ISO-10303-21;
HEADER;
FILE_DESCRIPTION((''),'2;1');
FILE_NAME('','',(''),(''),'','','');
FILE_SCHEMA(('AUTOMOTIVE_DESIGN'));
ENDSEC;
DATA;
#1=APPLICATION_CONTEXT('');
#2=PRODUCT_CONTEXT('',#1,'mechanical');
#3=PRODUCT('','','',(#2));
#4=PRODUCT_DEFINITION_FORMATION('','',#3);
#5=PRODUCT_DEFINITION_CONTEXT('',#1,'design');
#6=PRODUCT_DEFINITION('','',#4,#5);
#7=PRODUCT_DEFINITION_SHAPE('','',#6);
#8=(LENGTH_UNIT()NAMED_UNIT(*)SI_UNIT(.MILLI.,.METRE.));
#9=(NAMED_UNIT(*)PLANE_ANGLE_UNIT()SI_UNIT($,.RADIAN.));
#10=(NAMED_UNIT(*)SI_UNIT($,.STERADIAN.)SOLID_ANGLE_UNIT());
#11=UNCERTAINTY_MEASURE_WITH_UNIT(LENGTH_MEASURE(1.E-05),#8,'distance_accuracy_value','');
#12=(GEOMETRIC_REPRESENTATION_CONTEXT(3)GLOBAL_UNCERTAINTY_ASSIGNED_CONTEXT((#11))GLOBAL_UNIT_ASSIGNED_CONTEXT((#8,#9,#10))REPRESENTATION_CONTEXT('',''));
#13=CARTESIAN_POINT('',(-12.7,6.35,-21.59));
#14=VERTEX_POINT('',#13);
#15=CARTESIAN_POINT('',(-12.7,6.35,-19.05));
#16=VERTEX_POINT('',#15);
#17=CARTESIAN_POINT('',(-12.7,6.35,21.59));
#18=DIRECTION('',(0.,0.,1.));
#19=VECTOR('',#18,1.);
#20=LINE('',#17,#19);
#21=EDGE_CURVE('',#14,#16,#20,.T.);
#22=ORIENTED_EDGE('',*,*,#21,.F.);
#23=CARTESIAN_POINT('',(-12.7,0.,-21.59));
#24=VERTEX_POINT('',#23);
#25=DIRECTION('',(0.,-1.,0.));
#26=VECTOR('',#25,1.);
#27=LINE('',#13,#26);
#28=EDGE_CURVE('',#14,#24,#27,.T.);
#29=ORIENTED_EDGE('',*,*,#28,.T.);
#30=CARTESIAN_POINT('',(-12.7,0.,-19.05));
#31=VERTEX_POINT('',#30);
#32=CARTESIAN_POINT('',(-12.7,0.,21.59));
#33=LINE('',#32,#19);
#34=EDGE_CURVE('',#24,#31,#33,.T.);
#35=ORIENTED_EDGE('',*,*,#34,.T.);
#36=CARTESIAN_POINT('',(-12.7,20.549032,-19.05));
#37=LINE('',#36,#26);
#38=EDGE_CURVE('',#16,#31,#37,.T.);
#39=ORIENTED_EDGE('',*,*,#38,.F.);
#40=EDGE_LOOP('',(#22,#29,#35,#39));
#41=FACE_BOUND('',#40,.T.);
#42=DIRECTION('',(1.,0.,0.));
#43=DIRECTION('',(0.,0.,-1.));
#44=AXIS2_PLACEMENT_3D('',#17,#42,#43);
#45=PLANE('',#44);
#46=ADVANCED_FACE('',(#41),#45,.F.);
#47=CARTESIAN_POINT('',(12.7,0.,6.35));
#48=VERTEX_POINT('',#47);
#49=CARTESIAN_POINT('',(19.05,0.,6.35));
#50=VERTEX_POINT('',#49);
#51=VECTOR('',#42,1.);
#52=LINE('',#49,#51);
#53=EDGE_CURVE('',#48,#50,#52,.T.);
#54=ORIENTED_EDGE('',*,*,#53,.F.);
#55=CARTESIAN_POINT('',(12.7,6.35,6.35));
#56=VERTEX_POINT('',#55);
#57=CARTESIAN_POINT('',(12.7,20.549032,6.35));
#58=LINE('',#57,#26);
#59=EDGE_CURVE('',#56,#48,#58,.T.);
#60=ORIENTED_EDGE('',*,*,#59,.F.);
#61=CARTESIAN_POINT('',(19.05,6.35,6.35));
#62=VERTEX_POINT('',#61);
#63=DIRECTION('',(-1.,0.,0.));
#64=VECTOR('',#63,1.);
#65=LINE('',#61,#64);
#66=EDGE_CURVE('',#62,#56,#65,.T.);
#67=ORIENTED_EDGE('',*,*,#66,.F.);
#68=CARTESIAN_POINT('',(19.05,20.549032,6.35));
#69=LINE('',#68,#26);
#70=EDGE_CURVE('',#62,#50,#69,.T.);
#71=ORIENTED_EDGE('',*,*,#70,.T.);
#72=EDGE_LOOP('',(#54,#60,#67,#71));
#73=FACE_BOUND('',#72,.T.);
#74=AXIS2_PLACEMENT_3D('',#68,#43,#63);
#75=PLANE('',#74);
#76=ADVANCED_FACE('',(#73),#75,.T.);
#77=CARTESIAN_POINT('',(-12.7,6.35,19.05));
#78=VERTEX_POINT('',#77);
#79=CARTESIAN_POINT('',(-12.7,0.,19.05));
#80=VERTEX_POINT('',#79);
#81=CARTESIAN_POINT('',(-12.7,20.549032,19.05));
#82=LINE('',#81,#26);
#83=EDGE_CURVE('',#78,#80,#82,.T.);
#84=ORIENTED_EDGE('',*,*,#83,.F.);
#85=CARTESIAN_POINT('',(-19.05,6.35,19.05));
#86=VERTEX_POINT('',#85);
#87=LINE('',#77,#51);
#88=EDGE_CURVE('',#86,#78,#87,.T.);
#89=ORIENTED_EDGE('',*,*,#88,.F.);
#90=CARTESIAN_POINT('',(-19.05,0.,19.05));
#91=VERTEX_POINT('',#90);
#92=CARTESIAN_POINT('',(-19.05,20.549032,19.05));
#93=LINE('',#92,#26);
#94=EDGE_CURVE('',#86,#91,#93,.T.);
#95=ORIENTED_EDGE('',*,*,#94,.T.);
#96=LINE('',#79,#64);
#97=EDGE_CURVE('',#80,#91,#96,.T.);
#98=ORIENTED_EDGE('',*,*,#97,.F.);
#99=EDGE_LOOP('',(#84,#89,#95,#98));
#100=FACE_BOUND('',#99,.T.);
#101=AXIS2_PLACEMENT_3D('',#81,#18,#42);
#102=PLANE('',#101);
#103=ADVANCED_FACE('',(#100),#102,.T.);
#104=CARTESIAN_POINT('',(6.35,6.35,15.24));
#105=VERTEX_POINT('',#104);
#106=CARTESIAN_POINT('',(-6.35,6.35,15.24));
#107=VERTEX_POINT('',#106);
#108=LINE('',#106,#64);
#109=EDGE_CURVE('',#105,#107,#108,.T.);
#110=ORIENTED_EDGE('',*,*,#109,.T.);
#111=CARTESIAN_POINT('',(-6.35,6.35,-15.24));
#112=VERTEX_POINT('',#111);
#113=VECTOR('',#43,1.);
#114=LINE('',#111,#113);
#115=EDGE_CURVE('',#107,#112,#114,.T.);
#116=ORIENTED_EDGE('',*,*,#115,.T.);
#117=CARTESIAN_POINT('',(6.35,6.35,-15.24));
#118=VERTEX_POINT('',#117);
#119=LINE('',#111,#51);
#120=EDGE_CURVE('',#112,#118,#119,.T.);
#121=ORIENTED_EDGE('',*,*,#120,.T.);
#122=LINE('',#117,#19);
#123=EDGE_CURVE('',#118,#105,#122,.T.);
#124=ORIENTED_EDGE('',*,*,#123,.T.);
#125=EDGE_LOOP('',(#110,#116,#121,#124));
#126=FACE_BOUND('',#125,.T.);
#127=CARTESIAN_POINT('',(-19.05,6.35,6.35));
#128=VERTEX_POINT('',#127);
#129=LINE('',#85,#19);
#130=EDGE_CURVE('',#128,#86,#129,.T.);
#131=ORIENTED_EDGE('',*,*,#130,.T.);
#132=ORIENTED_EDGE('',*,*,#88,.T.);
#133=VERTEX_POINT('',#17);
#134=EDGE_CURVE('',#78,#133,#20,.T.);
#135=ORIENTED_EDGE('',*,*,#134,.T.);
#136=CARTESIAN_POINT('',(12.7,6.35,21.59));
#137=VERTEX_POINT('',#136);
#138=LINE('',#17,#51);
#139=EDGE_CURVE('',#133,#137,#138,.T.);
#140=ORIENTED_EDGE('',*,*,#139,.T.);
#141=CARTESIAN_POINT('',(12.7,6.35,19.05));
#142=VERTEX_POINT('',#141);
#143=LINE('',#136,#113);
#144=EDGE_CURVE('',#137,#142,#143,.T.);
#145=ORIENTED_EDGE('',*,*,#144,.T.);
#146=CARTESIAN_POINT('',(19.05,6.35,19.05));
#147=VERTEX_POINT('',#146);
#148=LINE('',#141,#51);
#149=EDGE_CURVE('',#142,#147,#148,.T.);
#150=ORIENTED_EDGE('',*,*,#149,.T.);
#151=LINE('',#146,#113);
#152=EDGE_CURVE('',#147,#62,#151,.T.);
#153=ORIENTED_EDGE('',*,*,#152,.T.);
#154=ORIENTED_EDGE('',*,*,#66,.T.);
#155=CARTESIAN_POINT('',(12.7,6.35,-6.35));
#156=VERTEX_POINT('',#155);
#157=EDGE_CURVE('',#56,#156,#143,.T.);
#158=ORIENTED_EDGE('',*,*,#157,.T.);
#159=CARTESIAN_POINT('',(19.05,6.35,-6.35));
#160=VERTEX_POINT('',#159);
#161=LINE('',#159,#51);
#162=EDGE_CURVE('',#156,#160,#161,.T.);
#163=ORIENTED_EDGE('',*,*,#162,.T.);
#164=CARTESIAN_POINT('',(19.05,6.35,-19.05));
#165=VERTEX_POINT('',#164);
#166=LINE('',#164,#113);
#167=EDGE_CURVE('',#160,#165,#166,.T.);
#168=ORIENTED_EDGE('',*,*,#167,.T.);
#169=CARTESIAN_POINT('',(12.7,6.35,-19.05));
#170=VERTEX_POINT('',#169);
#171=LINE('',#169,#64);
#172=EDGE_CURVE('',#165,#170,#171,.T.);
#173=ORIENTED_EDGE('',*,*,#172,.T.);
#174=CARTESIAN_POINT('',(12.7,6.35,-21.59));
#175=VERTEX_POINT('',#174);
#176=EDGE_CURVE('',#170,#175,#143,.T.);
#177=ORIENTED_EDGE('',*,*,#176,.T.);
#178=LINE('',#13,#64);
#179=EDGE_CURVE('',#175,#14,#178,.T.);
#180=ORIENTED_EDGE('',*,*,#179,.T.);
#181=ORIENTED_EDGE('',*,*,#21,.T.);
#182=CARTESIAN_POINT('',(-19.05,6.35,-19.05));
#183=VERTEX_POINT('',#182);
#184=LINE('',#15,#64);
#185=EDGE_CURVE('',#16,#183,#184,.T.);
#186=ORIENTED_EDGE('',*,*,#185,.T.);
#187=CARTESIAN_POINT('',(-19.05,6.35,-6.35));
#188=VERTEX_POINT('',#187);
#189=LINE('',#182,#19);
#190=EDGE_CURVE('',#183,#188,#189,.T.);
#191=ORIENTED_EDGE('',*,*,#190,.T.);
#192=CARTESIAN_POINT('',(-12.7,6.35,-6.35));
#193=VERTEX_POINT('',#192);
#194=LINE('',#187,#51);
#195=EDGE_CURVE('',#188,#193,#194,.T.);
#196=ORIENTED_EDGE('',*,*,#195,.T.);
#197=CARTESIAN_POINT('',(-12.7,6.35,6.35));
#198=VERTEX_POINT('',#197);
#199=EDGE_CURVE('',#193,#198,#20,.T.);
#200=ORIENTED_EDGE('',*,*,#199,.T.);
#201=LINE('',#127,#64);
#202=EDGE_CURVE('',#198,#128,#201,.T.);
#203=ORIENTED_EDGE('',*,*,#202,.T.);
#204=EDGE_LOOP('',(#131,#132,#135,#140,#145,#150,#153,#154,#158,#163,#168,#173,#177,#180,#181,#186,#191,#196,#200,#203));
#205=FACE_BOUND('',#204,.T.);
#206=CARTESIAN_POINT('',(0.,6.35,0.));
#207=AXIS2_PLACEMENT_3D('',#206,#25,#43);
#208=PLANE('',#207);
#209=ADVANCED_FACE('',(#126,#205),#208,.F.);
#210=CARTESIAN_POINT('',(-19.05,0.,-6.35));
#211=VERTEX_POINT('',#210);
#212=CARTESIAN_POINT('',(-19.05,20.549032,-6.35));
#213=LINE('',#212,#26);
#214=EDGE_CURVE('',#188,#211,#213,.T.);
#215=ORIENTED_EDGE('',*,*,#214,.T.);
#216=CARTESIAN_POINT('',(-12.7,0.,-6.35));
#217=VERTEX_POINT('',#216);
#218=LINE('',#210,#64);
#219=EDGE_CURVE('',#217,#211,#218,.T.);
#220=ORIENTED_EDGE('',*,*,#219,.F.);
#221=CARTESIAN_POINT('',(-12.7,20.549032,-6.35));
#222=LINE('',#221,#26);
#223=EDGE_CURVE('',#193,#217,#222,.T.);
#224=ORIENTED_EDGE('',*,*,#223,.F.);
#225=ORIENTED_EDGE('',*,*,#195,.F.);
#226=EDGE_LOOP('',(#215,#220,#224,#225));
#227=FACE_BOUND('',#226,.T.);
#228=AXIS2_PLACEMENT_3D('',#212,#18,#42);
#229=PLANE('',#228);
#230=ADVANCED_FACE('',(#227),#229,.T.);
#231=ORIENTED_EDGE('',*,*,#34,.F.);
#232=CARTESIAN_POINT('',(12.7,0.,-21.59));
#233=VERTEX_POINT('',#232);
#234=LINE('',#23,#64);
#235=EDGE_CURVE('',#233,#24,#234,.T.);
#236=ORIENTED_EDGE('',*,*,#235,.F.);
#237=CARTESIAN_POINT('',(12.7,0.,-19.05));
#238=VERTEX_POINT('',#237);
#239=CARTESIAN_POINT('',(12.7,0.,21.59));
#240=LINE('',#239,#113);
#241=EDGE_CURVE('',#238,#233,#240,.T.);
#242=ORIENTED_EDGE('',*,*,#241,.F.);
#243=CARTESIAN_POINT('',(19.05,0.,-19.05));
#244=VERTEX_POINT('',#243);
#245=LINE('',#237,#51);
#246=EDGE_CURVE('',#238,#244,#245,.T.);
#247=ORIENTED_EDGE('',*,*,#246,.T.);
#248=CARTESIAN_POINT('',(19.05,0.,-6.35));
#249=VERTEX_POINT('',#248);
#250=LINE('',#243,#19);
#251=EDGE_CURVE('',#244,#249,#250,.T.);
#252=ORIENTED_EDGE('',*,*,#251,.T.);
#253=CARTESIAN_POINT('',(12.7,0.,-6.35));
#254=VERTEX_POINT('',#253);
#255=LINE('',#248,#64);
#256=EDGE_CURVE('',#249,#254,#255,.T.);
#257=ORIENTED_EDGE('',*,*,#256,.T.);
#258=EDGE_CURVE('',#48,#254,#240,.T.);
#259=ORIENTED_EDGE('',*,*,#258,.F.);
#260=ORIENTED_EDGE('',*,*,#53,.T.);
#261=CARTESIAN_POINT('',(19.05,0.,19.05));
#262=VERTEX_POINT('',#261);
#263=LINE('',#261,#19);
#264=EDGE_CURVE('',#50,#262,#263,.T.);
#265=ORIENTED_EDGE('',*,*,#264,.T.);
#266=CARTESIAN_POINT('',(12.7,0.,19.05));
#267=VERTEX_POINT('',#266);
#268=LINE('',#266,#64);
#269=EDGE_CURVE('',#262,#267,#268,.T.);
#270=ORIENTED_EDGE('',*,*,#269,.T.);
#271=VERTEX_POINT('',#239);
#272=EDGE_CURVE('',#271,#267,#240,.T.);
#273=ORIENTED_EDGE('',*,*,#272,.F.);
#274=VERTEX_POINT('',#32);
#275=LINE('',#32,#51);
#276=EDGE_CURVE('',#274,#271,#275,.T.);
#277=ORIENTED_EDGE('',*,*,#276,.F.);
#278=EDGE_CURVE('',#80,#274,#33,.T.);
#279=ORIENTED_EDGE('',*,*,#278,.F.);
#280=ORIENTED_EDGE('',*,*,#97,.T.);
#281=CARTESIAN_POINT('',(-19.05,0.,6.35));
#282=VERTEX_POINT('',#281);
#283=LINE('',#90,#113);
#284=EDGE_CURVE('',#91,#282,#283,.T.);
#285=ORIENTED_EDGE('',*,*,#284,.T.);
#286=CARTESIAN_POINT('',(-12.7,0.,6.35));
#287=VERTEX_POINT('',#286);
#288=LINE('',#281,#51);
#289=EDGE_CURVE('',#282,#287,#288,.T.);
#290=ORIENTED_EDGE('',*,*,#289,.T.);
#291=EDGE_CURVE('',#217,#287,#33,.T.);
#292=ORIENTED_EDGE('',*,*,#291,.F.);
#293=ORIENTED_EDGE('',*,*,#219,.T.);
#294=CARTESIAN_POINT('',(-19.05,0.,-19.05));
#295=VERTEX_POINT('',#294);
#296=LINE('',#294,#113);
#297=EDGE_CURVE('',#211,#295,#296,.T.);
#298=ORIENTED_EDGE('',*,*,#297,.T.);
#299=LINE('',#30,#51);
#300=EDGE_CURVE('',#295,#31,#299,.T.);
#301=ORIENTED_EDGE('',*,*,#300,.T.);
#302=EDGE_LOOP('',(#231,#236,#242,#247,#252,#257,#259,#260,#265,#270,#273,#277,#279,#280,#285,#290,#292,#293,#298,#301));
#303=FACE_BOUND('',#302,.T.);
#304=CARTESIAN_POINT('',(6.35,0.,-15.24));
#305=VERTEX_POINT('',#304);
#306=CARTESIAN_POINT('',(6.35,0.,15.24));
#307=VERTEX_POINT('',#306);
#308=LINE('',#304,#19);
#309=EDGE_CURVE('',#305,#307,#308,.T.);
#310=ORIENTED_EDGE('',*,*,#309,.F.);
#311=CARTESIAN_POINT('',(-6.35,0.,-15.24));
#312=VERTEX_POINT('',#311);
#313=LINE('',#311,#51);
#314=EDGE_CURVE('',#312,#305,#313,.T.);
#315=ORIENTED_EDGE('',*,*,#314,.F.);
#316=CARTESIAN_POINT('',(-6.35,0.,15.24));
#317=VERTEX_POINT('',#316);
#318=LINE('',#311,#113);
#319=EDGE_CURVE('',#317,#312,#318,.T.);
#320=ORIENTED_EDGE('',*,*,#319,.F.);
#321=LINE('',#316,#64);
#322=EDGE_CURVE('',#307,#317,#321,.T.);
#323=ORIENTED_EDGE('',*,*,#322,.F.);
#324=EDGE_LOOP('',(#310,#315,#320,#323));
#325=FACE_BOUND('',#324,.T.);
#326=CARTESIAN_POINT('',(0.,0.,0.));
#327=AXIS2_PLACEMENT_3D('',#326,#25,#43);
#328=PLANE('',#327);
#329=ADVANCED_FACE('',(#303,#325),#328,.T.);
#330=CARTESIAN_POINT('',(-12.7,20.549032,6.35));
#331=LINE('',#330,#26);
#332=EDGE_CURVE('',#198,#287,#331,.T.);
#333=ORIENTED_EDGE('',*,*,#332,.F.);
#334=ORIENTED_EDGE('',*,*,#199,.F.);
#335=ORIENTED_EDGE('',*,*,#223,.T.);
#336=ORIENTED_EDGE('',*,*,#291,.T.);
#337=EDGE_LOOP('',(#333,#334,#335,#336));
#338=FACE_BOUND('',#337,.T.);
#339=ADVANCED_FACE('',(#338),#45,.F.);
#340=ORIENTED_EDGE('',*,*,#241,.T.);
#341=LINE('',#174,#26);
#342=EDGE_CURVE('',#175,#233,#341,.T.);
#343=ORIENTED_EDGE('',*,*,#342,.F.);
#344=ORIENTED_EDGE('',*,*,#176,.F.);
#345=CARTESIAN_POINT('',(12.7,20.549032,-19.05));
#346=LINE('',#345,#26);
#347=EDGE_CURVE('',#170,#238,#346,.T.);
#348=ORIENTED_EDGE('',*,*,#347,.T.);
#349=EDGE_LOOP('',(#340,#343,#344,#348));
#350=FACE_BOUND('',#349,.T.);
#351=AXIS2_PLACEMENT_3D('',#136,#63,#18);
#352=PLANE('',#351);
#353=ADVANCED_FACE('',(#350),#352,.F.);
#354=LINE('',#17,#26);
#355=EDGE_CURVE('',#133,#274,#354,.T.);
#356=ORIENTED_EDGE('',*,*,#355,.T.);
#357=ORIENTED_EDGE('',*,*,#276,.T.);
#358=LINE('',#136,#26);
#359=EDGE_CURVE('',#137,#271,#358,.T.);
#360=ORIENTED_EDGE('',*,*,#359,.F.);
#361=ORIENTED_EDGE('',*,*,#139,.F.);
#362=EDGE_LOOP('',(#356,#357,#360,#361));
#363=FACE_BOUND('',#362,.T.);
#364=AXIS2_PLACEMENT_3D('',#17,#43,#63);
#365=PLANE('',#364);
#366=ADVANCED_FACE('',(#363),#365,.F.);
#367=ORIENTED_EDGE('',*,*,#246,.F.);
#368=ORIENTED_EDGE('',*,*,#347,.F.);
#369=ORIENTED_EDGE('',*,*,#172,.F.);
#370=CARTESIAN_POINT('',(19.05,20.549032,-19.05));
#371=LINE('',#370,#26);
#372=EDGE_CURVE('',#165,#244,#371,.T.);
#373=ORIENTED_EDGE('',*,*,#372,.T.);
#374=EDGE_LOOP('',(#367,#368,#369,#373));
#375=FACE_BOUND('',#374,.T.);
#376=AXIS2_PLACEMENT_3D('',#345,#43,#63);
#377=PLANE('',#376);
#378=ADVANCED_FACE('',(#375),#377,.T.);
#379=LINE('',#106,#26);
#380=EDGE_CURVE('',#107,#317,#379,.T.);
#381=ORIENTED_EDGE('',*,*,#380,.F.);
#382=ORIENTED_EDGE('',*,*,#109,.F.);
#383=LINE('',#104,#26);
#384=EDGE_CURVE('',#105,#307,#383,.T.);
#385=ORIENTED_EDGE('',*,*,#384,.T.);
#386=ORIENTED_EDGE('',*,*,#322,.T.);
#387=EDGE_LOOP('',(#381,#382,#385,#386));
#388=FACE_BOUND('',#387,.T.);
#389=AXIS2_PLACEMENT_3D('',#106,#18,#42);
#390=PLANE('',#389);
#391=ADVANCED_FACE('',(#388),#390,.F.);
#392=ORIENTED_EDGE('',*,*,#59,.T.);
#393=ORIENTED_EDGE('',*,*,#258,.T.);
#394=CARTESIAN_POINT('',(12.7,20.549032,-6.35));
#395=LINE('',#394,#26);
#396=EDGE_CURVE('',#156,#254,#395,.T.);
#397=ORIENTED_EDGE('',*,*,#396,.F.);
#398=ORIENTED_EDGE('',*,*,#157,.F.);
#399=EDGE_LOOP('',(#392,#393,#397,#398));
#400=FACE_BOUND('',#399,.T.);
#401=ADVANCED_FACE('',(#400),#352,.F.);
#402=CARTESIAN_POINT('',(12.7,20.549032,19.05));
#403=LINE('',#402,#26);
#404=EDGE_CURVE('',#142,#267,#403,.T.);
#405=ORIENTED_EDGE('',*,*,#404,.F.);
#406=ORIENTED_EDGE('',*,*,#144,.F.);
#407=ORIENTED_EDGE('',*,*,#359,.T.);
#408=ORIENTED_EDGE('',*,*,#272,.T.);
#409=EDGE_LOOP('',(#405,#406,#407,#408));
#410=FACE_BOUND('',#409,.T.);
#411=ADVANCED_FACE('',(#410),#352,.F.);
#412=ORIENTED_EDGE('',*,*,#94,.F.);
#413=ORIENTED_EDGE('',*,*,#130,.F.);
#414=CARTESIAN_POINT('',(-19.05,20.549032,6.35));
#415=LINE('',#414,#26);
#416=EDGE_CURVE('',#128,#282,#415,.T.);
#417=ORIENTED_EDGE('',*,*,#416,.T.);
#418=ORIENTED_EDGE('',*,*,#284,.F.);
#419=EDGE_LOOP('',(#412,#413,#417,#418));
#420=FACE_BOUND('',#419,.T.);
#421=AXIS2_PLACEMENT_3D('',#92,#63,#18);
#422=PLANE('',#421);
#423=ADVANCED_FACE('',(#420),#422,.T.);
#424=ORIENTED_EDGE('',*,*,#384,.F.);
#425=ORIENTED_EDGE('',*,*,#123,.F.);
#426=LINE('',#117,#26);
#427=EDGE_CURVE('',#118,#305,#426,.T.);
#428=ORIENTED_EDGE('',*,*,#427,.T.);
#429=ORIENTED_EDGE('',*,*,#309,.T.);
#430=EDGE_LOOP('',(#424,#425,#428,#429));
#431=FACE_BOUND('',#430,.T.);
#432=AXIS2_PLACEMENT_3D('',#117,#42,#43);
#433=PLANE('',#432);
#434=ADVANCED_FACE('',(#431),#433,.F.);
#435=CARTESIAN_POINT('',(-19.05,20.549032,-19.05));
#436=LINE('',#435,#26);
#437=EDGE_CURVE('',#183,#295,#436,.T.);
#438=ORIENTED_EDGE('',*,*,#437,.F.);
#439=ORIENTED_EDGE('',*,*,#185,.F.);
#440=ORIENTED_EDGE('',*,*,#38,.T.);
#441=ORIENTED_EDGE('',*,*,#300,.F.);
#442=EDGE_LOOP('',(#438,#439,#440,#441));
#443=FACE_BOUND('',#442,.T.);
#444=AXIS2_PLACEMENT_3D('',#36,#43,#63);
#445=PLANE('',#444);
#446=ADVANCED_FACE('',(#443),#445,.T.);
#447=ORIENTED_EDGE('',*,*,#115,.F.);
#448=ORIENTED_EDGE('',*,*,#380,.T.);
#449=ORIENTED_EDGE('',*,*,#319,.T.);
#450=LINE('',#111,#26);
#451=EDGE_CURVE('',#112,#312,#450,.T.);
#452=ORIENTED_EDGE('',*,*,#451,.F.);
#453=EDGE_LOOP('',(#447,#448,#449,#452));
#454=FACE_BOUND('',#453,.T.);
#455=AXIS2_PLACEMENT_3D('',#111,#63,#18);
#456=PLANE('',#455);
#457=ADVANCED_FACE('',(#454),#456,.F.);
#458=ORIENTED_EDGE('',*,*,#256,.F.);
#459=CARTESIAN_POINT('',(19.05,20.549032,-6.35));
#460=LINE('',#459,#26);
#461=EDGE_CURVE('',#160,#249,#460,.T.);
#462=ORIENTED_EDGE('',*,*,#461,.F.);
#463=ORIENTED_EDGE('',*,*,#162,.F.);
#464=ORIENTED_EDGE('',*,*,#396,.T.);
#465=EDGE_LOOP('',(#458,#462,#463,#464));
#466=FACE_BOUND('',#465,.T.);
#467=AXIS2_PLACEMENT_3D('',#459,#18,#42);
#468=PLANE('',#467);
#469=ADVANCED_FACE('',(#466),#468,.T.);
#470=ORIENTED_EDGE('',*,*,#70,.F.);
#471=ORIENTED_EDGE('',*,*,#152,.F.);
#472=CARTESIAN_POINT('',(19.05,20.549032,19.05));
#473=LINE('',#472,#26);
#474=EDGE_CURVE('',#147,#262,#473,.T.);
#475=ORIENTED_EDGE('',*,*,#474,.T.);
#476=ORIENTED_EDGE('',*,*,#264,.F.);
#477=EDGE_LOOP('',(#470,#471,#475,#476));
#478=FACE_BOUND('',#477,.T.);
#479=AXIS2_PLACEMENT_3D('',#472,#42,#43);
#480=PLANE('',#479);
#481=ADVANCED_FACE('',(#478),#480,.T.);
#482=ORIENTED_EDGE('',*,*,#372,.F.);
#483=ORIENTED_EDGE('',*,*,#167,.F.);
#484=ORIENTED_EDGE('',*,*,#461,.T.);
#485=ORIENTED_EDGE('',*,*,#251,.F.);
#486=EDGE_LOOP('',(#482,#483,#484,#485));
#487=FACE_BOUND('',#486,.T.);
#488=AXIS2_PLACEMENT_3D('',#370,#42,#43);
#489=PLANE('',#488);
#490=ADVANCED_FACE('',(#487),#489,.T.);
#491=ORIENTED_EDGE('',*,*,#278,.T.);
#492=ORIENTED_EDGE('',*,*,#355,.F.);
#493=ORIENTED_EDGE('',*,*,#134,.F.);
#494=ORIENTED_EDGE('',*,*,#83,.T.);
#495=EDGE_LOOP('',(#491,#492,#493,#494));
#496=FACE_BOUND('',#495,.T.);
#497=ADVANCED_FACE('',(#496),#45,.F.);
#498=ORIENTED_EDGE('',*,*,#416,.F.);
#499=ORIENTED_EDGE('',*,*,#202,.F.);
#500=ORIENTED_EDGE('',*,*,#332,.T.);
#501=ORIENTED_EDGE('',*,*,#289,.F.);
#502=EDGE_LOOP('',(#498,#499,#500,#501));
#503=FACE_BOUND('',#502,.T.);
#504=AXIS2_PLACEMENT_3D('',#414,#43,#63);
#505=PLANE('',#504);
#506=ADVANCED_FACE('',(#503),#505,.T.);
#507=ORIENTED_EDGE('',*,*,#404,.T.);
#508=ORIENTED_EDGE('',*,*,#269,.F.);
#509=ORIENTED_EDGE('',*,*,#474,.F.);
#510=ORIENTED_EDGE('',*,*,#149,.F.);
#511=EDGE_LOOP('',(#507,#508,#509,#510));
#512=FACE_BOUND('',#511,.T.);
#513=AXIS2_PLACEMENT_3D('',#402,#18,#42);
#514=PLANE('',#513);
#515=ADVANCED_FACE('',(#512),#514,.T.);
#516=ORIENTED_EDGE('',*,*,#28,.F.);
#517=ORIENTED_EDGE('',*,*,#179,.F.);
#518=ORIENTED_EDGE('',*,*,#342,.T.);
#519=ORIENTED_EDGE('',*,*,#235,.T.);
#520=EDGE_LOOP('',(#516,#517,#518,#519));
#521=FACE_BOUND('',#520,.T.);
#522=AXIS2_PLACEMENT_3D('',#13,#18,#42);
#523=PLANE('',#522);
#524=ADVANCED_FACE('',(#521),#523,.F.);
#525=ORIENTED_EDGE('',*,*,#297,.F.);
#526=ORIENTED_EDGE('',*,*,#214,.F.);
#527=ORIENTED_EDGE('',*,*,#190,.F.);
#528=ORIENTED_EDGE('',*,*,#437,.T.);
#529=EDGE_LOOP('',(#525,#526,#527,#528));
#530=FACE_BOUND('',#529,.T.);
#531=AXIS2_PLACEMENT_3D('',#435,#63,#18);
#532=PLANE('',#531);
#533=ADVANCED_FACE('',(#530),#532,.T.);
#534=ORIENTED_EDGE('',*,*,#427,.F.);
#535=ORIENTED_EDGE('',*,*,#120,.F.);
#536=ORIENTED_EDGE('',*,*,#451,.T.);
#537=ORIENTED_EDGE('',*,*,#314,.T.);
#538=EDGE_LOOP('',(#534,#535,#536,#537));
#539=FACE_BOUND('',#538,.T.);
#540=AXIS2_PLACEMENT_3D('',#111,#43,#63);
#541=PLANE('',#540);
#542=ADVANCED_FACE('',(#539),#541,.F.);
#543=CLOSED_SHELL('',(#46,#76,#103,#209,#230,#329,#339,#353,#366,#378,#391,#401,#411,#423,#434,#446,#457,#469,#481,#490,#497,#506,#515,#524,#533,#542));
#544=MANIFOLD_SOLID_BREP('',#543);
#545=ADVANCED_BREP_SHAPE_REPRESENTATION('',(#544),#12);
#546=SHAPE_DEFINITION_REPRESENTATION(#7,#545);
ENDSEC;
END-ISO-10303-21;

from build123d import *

# Parameters (mm, degrees)
SKETCH1_W           = 25.4
SKETCH1_H           = 43.18
BOSS_EXTRUDE1_DEPTH = 6.35
SKETCH2_W           = 6.35
SKETCH2_H           = 12.7
BOSS_EXTRUDE2_DEPTH = 6.35
SKETCH3_W           = 12.7
SKETCH3_H           = 30.48
CUT_EXTRUDE1_DEPTH  = 30.484794386


with BuildPart() as part:
    # Sketch1 → Boss-Extrude1 (new body)
    with BuildSketch(Plane(origin=(0, 0, 0), x_dir=(1, 0, 0), z_dir=(0, 1, 0))):
        Rectangle(SKETCH1_W, SKETCH1_H)
    extrude(amount=BOSS_EXTRUDE1_DEPTH)

    # Sketch2 → Boss-Extrude2 (add)
    with BuildSketch(Plane.XZ):
        with Locations((-15.875, 12.7)):
            Rectangle(SKETCH2_W, SKETCH2_H)
        with Locations((15.875, 12.7)):
            Rectangle(SKETCH2_W, SKETCH2_H)
        with Locations((15.875, -12.7)):
            Rectangle(SKETCH2_W, SKETCH2_H)
        with Locations((-15.875, -12.7)):
            Rectangle(SKETCH2_W, SKETCH2_H)
    extrude(amount=-BOSS_EXTRUDE2_DEPTH)

    # Sketch3 → Cut-Extrude1 (cut, through all)
    with BuildSketch(Plane.XZ):
        Rectangle(SKETCH3_W, SKETCH3_H)
    extrude(amount=-CUT_EXTRUDE1_DEPTH, mode=Mode.SUBTRACT)


solid = part.part
